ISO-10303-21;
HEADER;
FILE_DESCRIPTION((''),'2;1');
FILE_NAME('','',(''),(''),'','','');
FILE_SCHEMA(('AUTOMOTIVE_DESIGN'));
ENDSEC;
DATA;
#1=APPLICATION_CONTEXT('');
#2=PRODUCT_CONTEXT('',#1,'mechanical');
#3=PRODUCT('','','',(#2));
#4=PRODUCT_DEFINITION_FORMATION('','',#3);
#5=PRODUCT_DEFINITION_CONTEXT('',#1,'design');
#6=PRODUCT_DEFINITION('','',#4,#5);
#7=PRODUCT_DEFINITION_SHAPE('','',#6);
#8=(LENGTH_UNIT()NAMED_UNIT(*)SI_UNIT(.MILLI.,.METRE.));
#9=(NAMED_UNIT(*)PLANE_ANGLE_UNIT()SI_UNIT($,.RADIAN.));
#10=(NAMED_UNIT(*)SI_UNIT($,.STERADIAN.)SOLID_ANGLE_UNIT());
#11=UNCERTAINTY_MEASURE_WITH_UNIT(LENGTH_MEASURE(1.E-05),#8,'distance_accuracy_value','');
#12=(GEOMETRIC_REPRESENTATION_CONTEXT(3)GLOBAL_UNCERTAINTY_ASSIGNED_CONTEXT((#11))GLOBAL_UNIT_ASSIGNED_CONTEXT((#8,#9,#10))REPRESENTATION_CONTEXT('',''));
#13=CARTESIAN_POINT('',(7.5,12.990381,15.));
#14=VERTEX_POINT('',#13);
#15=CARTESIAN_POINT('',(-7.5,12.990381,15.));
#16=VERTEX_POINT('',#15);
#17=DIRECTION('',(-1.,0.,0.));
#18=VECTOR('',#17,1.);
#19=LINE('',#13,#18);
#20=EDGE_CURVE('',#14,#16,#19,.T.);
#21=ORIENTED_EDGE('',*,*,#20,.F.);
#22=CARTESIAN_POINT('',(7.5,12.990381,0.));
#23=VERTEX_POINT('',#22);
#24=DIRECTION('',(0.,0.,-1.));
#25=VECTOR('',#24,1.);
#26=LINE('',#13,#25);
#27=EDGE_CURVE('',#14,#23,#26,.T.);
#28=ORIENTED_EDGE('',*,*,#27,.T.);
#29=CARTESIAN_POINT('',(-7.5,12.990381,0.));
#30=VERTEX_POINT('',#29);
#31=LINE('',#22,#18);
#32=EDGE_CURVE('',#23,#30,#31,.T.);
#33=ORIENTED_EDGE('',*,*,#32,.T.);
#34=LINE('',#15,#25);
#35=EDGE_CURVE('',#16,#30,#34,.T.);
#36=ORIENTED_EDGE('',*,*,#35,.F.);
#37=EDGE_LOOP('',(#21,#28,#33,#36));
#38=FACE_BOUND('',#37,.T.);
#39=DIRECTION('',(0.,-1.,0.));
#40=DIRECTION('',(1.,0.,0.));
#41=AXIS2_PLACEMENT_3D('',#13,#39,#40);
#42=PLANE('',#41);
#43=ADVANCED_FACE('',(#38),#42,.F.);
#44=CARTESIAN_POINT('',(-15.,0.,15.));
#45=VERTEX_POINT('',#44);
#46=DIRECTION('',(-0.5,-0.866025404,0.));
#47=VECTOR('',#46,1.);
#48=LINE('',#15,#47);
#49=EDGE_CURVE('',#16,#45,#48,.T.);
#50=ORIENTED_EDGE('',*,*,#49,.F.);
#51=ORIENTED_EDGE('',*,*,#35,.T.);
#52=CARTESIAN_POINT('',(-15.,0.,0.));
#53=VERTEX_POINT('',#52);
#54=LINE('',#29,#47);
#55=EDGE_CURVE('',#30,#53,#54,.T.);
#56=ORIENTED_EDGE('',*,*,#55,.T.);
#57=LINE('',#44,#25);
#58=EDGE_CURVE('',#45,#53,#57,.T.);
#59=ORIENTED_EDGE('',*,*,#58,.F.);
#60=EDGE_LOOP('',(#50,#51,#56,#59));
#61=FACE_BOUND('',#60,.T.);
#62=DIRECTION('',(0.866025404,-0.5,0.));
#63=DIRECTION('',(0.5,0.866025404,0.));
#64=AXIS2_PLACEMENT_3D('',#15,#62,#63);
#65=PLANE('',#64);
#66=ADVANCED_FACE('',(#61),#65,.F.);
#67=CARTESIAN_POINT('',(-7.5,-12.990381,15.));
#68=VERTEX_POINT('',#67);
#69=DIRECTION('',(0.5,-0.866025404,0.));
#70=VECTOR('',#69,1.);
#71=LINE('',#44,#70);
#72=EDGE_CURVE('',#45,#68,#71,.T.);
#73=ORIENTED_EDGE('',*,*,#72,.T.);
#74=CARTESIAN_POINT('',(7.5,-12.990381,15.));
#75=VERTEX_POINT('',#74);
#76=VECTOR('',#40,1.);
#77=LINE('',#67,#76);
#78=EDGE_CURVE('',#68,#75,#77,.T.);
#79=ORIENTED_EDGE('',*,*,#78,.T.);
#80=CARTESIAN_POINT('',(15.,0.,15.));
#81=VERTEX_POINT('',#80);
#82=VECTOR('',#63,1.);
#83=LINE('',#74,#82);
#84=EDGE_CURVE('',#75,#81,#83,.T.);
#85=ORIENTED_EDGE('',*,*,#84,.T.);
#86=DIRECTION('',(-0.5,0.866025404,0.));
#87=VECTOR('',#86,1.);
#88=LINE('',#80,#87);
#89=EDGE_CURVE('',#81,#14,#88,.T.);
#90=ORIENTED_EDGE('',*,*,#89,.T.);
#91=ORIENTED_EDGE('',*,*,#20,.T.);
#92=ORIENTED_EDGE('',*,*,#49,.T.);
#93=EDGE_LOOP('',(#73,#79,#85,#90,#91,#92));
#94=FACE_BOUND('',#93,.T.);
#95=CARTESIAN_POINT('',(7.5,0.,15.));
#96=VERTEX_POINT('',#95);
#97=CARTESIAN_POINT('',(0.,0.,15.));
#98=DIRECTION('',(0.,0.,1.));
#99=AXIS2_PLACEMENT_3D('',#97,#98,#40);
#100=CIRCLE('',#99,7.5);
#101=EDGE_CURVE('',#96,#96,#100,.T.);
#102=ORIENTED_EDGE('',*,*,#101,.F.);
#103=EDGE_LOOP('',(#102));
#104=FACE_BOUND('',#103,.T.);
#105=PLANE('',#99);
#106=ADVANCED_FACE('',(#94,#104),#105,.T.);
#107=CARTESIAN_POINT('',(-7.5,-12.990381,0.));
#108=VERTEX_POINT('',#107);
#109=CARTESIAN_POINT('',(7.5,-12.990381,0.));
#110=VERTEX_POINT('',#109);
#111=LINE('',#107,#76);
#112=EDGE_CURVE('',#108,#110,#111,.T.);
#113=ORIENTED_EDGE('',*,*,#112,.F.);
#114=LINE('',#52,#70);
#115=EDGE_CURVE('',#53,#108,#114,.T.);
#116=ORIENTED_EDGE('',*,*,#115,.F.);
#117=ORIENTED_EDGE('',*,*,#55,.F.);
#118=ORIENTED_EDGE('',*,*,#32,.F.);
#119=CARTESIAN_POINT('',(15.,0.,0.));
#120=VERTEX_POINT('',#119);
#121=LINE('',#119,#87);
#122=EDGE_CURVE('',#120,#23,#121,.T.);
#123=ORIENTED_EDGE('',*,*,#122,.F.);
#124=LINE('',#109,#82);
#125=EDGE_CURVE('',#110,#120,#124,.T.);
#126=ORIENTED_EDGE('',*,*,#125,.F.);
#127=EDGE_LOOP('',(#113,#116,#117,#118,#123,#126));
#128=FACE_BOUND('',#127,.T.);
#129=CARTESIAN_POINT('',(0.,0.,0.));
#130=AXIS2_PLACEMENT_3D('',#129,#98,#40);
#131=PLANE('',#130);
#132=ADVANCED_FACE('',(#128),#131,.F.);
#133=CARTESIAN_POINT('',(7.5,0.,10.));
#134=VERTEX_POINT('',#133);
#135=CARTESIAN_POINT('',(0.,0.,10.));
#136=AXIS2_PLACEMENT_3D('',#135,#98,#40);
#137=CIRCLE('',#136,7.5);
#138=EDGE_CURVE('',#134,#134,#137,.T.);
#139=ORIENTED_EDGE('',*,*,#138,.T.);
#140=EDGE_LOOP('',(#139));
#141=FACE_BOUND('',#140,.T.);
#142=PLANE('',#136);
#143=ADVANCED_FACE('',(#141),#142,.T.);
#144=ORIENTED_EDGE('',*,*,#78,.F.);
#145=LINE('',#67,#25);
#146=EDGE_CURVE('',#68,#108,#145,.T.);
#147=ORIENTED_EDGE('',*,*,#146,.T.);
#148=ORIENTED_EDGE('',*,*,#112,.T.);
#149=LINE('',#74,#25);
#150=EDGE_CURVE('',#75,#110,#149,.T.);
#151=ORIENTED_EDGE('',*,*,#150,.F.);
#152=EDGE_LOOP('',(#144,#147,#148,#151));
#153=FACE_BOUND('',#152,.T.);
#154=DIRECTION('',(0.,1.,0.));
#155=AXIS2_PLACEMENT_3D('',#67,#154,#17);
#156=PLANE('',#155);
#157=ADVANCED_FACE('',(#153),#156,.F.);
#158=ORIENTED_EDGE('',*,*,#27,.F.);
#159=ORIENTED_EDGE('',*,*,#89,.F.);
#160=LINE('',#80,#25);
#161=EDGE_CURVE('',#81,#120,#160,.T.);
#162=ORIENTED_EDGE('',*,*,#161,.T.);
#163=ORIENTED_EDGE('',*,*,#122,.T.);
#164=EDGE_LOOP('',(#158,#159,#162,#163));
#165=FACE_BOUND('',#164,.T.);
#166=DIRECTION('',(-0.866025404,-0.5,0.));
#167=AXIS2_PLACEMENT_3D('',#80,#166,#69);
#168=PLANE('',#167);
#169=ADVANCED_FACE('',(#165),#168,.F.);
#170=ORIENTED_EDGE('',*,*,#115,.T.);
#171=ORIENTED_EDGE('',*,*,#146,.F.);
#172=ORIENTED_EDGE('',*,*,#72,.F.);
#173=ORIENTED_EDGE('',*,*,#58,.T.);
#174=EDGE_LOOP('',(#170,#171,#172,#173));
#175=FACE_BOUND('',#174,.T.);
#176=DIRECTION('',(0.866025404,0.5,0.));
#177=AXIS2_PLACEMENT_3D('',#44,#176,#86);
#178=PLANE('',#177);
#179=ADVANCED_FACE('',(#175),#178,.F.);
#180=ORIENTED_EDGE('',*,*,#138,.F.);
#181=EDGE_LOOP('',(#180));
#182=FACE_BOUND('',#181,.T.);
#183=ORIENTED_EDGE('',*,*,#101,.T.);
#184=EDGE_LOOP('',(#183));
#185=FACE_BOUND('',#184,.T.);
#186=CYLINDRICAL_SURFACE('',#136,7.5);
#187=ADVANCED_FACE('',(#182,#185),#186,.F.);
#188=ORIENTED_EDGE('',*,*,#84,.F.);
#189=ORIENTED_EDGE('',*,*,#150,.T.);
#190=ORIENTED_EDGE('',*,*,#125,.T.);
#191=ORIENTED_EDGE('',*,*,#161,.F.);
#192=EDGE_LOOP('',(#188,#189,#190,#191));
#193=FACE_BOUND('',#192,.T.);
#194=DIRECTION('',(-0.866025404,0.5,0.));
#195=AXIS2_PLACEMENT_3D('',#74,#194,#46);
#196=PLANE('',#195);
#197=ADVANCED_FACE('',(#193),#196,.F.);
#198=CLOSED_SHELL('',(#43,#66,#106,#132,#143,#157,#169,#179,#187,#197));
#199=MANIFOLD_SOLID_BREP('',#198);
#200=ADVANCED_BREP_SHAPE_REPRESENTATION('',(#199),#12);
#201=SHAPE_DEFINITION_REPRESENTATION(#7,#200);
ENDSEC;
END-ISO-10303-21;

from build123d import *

# Parameters (mm, degrees)
BOSS_EXTRUDE1_DEPTH = 15
SKETCH2_R           = 7.5
CUT_EXTRUDE1_DEPTH  = 5


with BuildPart() as part:
    # Sketch1 → Boss-Extrude1 (new body)
    with BuildSketch(Plane.XY):
        Polygon((7.5, -12.990381057), (15, 0), (7.5, 12.990381057), (-7.5, 12.990381057), (-15, 0), (-7.5, -12.990381057), align=None)
    extrude(amount=BOSS_EXTRUDE1_DEPTH)

    # Sketch2 → Cut-Extrude1 (cut)
    with BuildSketch(Plane.XY.offset(15)):
        Circle(SKETCH2_R)
    extrude(amount=-CUT_EXTRUDE1_DEPTH, mode=Mode.SUBTRACT)


solid = part.part
